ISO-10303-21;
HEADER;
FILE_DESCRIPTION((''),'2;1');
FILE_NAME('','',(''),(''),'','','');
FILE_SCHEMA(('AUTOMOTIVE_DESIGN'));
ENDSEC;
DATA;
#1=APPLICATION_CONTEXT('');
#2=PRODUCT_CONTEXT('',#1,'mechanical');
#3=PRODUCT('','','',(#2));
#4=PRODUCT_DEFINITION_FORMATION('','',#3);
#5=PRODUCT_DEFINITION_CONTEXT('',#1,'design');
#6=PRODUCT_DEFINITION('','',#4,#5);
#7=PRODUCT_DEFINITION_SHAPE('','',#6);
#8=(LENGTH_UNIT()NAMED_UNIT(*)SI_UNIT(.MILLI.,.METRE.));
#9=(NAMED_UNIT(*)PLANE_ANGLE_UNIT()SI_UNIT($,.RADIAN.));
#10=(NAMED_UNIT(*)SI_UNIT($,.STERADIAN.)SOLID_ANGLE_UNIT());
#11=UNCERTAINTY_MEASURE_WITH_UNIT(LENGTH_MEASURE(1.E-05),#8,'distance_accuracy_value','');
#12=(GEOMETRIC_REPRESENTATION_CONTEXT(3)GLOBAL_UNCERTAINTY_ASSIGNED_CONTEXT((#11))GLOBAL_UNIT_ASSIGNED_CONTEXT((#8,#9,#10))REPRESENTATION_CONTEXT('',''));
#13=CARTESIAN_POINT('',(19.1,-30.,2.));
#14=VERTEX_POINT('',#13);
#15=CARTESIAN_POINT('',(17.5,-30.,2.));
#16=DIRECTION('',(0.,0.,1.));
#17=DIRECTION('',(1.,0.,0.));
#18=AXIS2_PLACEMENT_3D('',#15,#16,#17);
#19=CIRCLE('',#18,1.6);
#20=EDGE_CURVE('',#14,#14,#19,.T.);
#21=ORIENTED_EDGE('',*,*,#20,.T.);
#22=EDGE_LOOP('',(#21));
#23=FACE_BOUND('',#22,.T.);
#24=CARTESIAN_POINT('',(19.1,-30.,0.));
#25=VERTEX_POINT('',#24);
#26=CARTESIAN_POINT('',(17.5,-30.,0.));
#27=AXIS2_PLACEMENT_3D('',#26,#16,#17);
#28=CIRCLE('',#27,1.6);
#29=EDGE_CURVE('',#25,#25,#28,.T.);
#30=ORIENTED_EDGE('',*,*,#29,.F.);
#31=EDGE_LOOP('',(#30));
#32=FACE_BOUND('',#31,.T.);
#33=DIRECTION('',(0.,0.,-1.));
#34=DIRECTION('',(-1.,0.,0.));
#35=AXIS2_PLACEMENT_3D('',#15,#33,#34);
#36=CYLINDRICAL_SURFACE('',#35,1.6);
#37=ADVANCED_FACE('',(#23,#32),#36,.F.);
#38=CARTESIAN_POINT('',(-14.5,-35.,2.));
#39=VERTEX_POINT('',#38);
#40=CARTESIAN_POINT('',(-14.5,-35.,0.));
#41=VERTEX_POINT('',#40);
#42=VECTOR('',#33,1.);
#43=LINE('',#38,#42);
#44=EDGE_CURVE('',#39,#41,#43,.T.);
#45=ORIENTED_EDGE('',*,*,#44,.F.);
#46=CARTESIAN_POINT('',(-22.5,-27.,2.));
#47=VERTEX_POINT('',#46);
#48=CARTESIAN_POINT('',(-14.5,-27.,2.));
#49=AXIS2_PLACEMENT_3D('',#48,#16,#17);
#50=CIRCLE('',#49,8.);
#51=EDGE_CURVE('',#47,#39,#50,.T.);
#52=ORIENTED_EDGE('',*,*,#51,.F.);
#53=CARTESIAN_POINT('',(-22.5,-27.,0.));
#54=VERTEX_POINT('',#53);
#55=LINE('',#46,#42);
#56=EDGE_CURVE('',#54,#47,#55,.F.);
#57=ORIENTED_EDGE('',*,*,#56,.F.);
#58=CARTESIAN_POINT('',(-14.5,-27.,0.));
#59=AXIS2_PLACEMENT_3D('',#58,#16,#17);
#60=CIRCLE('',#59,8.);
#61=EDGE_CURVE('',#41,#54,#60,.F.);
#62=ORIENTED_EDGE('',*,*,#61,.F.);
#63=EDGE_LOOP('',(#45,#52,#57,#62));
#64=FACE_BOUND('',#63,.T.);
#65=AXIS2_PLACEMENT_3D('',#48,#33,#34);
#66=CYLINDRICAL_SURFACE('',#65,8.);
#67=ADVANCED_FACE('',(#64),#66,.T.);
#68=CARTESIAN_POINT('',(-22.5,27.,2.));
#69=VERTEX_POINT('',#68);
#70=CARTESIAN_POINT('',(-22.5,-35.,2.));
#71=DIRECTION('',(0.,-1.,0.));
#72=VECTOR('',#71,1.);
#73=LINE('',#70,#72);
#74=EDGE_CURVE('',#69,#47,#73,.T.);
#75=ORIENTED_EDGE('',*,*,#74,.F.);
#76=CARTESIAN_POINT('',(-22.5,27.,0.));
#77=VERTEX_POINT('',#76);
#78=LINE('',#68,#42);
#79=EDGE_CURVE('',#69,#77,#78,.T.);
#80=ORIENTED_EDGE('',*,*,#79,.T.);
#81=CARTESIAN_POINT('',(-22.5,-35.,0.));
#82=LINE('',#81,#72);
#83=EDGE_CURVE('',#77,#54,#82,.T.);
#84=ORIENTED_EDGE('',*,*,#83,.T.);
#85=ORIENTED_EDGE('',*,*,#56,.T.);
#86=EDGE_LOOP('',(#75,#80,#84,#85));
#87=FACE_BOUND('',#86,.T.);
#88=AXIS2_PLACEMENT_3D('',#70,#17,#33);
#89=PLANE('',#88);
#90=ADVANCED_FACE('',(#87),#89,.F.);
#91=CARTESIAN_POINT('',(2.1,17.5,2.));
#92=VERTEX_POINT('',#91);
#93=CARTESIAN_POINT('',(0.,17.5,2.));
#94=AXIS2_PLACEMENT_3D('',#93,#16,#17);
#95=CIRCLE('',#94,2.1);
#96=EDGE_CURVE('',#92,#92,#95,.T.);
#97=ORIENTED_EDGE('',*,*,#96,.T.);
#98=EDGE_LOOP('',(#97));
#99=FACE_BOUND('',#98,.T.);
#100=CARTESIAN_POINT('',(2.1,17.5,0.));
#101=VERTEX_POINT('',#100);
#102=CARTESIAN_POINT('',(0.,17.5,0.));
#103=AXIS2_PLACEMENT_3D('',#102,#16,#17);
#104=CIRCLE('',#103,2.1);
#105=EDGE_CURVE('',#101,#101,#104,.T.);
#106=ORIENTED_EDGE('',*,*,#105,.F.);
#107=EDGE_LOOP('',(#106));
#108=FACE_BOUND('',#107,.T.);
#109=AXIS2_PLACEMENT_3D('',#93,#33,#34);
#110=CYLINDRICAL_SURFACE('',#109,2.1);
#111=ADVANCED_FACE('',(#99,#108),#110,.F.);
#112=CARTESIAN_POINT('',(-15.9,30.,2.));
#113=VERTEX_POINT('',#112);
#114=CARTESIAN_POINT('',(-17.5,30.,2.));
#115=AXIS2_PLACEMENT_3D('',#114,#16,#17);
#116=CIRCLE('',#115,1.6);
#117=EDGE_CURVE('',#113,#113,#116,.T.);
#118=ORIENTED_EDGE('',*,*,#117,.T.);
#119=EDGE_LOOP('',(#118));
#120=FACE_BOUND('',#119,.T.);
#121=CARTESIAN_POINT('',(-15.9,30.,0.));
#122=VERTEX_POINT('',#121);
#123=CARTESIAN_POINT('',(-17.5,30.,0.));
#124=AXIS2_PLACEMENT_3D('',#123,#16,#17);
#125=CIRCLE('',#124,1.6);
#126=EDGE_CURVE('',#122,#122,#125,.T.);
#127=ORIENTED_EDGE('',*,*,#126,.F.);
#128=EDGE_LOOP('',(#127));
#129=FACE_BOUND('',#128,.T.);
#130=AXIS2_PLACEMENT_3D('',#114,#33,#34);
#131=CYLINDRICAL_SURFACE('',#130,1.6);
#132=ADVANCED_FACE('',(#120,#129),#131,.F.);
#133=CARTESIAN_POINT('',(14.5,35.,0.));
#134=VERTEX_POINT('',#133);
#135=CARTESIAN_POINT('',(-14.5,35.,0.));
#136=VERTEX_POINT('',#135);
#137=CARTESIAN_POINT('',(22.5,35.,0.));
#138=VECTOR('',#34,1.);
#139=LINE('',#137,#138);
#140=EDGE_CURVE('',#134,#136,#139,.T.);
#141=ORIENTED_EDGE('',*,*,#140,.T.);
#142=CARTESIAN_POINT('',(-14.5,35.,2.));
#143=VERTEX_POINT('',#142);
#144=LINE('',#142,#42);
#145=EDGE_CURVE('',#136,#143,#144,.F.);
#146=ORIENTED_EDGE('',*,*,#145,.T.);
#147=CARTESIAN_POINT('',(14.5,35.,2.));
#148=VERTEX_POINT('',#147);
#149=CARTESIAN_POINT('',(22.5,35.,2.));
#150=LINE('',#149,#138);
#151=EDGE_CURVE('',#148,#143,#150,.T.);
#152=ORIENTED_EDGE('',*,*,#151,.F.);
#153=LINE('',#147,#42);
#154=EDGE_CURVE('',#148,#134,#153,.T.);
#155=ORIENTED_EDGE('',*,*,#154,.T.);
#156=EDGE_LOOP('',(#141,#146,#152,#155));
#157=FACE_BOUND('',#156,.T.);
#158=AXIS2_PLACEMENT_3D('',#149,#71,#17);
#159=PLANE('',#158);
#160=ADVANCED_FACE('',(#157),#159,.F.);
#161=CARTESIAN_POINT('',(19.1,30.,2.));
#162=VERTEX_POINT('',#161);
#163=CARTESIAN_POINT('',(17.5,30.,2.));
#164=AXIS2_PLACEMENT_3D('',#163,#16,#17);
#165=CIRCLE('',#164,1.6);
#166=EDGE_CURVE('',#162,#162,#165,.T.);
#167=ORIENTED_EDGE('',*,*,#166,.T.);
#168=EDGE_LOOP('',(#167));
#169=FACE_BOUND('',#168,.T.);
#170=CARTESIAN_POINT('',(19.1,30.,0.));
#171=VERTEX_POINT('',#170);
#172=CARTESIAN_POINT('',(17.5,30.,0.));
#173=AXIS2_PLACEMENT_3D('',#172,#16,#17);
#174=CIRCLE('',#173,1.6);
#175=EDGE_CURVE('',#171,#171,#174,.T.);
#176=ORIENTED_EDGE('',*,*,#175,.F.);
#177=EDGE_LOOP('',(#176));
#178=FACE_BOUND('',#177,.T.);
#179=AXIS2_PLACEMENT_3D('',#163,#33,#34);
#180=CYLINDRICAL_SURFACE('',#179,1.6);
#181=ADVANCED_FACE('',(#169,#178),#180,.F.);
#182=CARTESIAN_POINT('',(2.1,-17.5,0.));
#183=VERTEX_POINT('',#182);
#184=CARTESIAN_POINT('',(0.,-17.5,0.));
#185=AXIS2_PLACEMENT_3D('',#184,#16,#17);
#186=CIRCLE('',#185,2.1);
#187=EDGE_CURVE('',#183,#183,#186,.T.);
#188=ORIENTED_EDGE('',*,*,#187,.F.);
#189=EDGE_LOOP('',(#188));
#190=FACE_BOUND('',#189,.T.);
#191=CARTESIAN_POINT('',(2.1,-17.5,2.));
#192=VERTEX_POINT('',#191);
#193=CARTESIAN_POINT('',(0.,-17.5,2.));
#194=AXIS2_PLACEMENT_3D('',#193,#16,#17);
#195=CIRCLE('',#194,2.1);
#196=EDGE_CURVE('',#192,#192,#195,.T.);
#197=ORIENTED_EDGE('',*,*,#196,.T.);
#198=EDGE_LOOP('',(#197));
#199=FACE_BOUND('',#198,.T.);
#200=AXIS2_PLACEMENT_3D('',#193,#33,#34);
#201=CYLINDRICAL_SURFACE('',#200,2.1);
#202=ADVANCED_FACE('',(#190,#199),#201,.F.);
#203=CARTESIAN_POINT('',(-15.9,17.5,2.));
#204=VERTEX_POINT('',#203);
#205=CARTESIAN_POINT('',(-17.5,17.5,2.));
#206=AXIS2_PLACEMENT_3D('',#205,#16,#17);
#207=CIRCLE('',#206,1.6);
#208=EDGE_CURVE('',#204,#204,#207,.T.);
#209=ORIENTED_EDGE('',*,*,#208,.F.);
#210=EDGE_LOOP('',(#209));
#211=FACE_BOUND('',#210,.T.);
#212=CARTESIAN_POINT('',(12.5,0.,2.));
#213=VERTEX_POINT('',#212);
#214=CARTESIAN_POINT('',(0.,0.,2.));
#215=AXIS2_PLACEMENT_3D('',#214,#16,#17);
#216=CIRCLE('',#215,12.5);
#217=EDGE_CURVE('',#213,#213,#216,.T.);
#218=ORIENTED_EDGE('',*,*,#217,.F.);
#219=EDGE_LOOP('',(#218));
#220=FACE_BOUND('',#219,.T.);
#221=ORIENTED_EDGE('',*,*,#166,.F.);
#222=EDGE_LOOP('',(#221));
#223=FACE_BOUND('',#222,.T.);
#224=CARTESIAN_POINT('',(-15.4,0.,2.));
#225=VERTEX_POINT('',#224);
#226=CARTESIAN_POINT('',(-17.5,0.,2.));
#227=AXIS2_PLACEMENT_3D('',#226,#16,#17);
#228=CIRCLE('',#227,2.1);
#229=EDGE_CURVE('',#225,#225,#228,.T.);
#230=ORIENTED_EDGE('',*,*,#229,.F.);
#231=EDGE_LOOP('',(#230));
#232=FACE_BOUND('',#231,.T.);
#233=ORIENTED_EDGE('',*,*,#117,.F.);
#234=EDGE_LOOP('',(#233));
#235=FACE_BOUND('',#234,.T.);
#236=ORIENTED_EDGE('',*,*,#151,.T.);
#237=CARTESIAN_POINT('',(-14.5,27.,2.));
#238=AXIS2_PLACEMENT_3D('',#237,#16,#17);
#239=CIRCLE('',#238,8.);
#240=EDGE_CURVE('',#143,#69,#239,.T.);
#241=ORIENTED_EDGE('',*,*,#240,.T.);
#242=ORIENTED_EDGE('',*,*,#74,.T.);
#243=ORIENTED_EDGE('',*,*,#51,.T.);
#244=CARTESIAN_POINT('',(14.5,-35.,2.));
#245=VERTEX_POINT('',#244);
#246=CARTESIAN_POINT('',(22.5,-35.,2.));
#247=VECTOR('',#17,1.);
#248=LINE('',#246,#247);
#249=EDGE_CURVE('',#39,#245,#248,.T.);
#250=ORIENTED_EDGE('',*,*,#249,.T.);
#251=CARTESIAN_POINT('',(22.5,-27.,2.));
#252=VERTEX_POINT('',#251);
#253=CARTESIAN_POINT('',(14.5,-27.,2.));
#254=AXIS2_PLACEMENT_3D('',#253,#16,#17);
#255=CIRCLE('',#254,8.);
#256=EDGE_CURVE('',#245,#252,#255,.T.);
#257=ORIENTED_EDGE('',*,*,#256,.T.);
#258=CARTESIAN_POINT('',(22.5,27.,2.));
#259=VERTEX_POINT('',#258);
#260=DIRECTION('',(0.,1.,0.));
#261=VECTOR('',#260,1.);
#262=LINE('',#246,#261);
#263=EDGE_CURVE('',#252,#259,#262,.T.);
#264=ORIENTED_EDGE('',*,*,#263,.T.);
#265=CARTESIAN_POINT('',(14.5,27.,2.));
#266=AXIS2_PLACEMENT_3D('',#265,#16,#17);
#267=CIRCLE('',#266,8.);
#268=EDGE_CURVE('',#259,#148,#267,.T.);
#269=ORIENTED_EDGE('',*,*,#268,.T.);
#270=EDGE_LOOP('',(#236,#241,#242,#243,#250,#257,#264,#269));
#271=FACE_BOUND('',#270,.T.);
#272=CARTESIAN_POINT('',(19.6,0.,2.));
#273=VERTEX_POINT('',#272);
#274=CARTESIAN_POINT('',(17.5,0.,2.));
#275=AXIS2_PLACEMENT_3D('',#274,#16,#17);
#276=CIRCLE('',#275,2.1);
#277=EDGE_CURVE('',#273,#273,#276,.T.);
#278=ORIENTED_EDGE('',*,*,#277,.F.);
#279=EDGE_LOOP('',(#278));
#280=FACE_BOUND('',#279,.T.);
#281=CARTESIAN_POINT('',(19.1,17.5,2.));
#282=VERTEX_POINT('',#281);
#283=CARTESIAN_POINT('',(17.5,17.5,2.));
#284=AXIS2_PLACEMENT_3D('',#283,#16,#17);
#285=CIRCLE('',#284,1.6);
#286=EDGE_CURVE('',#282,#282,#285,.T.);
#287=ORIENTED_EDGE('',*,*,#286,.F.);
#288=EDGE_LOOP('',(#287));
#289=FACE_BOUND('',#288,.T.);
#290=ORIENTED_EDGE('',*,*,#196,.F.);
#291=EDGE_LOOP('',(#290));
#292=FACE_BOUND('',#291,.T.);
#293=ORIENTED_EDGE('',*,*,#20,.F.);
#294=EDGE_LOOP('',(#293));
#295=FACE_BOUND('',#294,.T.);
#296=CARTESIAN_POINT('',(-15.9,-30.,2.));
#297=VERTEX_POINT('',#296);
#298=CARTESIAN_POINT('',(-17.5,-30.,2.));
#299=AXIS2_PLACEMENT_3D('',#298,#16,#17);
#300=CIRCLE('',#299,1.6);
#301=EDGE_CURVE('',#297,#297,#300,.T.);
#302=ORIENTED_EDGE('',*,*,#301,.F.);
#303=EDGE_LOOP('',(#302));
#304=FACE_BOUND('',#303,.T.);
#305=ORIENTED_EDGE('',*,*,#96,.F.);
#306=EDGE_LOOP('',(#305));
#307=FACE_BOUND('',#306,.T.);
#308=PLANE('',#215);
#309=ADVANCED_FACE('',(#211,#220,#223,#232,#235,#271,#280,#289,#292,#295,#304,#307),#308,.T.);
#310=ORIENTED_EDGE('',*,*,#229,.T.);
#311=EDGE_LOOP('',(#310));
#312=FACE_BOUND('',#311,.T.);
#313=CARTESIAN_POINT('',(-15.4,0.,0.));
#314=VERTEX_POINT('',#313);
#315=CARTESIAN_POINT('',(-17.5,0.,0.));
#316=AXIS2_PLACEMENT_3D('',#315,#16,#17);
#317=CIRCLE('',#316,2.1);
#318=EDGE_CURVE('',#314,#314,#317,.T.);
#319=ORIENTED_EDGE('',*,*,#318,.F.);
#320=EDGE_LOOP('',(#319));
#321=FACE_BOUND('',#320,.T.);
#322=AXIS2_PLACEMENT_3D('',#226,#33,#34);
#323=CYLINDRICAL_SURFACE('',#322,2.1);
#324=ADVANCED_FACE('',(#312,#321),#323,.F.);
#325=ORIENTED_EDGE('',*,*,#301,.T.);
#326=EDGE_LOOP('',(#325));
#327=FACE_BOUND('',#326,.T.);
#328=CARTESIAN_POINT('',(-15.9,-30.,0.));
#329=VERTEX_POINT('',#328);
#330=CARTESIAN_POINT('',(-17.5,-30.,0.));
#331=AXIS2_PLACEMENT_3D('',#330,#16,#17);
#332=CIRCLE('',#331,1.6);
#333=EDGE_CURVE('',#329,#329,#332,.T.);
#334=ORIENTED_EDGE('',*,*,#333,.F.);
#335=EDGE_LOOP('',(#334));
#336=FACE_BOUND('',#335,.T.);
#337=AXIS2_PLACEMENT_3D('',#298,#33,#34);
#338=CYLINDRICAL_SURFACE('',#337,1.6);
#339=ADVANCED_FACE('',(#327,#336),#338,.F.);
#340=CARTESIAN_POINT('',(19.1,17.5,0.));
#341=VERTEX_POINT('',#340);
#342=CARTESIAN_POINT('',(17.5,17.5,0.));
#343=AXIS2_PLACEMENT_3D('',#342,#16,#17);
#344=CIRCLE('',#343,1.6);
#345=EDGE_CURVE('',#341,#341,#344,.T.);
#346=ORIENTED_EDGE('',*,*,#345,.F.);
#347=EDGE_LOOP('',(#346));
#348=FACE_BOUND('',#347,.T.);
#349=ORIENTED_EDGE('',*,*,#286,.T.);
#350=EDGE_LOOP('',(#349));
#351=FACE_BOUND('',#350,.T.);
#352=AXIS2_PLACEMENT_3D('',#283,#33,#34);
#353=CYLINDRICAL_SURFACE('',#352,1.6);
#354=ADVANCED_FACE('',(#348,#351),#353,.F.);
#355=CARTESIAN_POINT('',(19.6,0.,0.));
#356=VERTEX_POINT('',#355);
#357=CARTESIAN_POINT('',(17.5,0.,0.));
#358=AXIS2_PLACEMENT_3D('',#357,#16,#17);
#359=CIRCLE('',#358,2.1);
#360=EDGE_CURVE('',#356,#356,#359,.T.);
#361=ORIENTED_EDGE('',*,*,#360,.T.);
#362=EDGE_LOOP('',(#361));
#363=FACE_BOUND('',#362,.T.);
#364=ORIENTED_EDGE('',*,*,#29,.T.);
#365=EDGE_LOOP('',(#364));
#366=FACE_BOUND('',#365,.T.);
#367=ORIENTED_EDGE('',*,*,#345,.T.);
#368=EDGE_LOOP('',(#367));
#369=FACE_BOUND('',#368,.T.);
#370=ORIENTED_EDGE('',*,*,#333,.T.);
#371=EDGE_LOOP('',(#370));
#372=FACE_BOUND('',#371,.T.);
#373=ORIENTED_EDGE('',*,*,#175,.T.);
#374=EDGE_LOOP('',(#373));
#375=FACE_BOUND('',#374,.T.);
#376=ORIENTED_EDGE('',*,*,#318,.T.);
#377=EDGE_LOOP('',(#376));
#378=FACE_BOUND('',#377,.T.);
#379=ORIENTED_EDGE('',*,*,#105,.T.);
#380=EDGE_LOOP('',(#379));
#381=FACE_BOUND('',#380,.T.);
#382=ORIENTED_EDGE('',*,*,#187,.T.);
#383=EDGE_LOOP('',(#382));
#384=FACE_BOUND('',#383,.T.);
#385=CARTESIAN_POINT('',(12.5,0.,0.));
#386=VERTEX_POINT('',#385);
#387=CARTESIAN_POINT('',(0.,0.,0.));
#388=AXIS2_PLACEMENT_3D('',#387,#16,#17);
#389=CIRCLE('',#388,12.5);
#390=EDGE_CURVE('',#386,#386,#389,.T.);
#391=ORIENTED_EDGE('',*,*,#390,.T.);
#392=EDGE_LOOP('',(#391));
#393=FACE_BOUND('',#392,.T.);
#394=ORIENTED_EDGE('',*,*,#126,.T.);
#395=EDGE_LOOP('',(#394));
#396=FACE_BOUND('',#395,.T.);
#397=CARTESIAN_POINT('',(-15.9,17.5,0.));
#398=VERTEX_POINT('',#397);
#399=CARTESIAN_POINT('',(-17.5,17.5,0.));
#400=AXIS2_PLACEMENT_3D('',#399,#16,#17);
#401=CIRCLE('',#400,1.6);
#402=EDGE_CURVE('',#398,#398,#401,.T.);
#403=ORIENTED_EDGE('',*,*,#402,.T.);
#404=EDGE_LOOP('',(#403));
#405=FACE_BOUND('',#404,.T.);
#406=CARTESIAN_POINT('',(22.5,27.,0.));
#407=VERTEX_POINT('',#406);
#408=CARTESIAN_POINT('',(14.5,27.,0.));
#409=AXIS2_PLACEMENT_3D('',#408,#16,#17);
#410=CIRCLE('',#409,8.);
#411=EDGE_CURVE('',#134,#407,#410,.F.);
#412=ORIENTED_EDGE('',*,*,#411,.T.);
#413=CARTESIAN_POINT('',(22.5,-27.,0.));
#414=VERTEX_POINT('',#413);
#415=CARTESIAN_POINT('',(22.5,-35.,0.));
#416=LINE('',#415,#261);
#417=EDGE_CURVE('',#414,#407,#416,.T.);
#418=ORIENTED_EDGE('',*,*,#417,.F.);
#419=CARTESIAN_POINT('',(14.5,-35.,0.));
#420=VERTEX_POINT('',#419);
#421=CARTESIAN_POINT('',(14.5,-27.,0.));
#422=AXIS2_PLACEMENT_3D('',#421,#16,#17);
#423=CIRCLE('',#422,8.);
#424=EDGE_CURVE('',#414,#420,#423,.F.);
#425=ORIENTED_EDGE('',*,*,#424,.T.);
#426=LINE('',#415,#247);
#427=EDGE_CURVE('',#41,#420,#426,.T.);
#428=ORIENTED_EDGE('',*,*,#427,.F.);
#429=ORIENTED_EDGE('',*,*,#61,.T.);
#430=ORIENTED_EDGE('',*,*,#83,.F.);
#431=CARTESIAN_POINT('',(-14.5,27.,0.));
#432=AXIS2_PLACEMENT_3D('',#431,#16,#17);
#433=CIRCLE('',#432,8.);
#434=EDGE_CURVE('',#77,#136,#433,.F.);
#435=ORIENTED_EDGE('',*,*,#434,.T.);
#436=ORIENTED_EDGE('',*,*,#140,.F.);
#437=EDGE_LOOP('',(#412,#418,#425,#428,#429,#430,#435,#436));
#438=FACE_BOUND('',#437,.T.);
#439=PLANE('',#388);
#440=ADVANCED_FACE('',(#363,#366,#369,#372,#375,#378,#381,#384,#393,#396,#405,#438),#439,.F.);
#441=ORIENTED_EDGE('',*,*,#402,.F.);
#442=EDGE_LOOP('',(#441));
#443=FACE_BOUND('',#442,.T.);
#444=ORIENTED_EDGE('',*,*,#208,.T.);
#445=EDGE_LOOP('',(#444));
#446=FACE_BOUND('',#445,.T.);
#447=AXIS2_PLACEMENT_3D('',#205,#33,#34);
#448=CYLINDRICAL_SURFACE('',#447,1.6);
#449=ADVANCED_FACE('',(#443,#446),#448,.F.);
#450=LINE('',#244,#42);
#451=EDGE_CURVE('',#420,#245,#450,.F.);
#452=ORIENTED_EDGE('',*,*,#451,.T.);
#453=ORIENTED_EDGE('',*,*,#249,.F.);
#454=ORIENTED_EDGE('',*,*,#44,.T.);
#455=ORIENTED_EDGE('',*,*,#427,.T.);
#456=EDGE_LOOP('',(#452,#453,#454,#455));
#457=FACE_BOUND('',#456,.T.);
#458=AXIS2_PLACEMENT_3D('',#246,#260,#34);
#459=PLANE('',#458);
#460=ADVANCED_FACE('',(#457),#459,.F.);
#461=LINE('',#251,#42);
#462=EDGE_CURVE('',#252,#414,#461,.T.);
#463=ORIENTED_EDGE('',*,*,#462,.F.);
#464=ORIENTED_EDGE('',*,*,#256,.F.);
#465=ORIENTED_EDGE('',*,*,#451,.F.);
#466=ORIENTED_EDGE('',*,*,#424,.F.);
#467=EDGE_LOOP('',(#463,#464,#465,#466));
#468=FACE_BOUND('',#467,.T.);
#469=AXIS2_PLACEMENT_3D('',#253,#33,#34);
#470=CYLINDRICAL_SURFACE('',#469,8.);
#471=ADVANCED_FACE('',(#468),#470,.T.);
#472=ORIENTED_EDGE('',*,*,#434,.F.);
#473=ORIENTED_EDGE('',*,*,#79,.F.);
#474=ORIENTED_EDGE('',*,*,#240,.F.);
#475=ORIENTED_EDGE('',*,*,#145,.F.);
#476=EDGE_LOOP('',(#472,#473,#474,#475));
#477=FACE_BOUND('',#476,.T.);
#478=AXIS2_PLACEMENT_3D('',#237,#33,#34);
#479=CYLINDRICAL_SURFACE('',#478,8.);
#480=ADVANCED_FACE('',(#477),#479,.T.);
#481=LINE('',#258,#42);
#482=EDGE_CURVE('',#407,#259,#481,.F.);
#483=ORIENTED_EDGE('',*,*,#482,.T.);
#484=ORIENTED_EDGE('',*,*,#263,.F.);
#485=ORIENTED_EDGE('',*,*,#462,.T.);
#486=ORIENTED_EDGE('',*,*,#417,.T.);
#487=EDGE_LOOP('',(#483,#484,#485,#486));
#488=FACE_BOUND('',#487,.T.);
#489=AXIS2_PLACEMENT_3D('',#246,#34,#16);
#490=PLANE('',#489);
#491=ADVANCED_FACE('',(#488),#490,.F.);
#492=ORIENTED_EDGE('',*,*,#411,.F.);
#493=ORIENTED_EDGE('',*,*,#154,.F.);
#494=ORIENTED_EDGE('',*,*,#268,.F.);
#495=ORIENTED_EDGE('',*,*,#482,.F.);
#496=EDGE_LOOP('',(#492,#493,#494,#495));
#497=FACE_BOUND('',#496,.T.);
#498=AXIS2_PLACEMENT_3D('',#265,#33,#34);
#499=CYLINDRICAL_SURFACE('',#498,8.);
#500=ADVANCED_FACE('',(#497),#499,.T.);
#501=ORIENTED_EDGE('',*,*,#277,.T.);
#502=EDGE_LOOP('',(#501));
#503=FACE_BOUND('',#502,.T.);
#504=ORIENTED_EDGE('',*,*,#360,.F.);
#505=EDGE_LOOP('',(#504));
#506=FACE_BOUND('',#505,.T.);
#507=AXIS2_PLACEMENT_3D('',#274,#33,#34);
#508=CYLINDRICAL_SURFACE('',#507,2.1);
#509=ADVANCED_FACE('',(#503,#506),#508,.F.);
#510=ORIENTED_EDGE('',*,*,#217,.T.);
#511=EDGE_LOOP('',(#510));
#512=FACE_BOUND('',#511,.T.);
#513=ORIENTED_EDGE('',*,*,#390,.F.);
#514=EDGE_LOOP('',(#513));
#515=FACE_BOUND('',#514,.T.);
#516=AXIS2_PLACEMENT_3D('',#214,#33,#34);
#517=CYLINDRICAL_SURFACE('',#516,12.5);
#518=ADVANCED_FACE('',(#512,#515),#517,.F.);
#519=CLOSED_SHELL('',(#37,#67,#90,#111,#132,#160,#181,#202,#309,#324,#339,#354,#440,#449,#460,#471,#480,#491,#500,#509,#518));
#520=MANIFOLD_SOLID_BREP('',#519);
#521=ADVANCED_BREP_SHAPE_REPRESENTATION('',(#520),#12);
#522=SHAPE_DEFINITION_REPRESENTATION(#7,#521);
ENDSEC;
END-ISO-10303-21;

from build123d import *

# Parameters (mm, degrees)
SKETCH_1_W      = 45
SKETCH_1_H      = 70
SKETCH_1_R      = 2.1
SKETCH_1_R_2    = 12.5
SKETCH_1_R_3    = 1.6
EXTRUDE_1_DEPTH = 2
FILLET_1_R      = 8


with BuildPart() as part:
    # ｽｹｯﾁ1 → ﾎﾞｽ - 押し出し1 (new body)
    with BuildSketch(Plane.XY):
        Rectangle(SKETCH_1_W, SKETCH_1_H)
        with Locations((-17.5, 0)):
            Circle(SKETCH_1_R, mode=Mode.SUBTRACT)
        with Locations((0, 17.5)):
            Circle(SKETCH_1_R, mode=Mode.SUBTRACT)
        with Locations((17.5, 0)):
            Circle(SKETCH_1_R, mode=Mode.SUBTRACT)
        with Locations((0, -17.5)):
            Circle(SKETCH_1_R, mode=Mode.SUBTRACT)
        Circle(SKETCH_1_R_2, mode=Mode.SUBTRACT)
        with Locations((-17.5, 30)):
            Circle(SKETCH_1_R_3, mode=Mode.SUBTRACT)
        with Locations((17.5, 30)):
            Circle(SKETCH_1_R_3, mode=Mode.SUBTRACT)
        with Locations((-17.5, -30)):
            Circle(SKETCH_1_R_3, mode=Mode.SUBTRACT)
        with Locations((17.5, -30)):
            Circle(SKETCH_1_R_3, mode=Mode.SUBTRACT)
        with Locations((-17.5, 17.5)):
            Circle(SKETCH_1_R_3, mode=Mode.SUBTRACT)
        with Locations((17.5, 17.5)):
            Circle(SKETCH_1_R_3, mode=Mode.SUBTRACT)
    extrude(amount=EXTRUDE_1_DEPTH)

    # ﾌｨﾚｯﾄ1
    fillet_1_edges = [part.edges().sort_by_distance(p)[0] for p in [
        (-22.5, 35, 1),
        (22.5, 35, 1),
        (22.5, -35, 1),
        (-22.5, -35, 1),
    ]]
    fillet(fillet_1_edges, radius=FILLET_1_R)


solid = part.part
